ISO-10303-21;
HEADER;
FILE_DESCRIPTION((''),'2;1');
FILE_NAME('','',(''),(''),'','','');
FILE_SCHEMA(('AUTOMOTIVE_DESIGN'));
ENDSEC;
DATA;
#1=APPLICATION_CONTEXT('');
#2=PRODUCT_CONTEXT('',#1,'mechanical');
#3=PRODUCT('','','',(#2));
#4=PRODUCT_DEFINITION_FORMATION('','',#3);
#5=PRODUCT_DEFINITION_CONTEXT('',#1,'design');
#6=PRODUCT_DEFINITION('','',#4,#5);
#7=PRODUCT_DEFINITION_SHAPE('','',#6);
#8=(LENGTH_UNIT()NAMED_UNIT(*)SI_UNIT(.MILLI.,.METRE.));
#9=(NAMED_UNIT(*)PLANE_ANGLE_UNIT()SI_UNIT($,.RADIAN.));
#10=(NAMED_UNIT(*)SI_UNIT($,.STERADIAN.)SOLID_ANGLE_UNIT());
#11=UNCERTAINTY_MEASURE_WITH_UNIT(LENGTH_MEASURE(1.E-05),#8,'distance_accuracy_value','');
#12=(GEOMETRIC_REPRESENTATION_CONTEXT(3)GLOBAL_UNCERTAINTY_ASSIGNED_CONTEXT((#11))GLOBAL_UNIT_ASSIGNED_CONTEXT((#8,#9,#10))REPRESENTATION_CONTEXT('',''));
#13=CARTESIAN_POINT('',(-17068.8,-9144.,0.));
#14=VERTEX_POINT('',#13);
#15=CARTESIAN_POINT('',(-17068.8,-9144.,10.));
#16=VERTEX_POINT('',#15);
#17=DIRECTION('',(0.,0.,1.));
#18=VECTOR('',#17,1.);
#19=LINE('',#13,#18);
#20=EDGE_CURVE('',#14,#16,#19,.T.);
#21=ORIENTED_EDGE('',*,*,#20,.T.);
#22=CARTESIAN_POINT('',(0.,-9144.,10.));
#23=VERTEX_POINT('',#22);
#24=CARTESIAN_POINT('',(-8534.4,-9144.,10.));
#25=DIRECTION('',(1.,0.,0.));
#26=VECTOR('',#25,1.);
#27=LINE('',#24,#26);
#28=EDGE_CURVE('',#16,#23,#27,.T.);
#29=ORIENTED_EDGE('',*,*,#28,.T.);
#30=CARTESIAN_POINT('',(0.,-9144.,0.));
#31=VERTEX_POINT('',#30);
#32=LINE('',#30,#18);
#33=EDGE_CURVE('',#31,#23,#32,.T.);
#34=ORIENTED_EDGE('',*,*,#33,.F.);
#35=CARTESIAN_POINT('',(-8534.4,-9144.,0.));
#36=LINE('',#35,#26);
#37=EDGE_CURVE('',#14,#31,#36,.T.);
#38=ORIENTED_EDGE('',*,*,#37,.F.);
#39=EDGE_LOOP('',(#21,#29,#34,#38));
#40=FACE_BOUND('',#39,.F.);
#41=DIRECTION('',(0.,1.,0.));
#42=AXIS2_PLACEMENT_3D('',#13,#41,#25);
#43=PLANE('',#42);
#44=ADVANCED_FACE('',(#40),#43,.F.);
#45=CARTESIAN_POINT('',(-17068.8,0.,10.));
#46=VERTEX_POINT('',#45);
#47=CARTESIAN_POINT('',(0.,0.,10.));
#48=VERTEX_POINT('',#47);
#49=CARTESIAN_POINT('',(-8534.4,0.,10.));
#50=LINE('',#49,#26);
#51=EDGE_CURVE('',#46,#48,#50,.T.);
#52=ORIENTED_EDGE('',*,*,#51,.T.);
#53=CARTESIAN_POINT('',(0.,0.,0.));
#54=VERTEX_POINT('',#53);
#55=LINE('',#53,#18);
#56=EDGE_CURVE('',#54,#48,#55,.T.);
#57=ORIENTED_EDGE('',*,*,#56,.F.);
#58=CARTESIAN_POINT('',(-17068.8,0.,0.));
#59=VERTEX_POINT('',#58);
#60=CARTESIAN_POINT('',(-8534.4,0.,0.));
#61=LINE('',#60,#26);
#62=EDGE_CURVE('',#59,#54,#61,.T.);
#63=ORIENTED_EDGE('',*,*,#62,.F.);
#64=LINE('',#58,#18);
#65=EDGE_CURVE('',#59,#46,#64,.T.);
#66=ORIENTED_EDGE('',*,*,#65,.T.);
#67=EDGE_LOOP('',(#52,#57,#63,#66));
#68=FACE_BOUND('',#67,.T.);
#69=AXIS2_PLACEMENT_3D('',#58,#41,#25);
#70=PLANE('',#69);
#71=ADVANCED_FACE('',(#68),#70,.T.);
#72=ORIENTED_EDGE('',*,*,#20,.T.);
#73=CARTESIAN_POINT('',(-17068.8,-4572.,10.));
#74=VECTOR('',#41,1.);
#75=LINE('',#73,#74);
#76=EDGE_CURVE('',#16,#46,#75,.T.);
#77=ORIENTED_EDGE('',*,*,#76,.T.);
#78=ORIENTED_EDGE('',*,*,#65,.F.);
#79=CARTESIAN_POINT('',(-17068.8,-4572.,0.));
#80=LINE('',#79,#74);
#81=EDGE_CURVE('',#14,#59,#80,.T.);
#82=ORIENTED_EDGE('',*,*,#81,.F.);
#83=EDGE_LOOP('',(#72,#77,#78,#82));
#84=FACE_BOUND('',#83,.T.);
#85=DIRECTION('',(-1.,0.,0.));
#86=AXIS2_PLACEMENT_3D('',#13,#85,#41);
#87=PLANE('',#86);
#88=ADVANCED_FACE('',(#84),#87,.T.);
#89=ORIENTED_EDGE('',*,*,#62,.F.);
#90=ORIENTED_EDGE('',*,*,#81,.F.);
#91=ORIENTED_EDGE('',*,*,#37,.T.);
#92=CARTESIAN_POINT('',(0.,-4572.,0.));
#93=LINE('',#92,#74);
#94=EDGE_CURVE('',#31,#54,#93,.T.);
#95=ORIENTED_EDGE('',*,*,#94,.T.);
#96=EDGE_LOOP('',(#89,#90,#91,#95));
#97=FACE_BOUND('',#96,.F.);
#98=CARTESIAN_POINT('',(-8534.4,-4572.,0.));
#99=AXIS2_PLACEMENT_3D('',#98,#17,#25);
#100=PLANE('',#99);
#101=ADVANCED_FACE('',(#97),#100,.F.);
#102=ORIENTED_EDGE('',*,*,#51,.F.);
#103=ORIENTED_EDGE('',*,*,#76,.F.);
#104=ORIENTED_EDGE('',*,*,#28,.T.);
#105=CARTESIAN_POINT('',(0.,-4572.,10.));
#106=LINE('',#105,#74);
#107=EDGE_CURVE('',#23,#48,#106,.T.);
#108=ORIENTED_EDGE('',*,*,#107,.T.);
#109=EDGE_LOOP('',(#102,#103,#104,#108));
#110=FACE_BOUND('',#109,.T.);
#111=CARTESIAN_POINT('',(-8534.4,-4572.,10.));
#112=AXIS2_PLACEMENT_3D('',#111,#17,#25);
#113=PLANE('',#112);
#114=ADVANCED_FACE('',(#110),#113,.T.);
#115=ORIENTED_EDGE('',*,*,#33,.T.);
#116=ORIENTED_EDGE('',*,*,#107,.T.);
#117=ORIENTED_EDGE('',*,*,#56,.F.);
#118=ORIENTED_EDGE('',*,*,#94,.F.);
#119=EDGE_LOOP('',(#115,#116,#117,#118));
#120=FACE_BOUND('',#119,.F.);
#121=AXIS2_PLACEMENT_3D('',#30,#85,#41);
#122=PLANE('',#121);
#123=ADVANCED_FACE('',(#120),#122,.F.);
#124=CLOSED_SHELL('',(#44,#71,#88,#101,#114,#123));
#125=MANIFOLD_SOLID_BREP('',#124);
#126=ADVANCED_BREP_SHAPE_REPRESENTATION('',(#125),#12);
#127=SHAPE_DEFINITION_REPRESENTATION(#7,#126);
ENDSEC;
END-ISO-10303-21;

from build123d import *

# Parameters (mm, degrees)
SKETCH_W  = 17068.8
SKETCH_H  = 9144
PAD_DEPTH = 10


with BuildPart() as part:
    # Sketch → Pad (new body)
    with BuildSketch(Plane.XY):
        with Locations((-8534.4, -4572)):
            Rectangle(SKETCH_W, SKETCH_H)
    extrude(amount=PAD_DEPTH)


solid = part.part
